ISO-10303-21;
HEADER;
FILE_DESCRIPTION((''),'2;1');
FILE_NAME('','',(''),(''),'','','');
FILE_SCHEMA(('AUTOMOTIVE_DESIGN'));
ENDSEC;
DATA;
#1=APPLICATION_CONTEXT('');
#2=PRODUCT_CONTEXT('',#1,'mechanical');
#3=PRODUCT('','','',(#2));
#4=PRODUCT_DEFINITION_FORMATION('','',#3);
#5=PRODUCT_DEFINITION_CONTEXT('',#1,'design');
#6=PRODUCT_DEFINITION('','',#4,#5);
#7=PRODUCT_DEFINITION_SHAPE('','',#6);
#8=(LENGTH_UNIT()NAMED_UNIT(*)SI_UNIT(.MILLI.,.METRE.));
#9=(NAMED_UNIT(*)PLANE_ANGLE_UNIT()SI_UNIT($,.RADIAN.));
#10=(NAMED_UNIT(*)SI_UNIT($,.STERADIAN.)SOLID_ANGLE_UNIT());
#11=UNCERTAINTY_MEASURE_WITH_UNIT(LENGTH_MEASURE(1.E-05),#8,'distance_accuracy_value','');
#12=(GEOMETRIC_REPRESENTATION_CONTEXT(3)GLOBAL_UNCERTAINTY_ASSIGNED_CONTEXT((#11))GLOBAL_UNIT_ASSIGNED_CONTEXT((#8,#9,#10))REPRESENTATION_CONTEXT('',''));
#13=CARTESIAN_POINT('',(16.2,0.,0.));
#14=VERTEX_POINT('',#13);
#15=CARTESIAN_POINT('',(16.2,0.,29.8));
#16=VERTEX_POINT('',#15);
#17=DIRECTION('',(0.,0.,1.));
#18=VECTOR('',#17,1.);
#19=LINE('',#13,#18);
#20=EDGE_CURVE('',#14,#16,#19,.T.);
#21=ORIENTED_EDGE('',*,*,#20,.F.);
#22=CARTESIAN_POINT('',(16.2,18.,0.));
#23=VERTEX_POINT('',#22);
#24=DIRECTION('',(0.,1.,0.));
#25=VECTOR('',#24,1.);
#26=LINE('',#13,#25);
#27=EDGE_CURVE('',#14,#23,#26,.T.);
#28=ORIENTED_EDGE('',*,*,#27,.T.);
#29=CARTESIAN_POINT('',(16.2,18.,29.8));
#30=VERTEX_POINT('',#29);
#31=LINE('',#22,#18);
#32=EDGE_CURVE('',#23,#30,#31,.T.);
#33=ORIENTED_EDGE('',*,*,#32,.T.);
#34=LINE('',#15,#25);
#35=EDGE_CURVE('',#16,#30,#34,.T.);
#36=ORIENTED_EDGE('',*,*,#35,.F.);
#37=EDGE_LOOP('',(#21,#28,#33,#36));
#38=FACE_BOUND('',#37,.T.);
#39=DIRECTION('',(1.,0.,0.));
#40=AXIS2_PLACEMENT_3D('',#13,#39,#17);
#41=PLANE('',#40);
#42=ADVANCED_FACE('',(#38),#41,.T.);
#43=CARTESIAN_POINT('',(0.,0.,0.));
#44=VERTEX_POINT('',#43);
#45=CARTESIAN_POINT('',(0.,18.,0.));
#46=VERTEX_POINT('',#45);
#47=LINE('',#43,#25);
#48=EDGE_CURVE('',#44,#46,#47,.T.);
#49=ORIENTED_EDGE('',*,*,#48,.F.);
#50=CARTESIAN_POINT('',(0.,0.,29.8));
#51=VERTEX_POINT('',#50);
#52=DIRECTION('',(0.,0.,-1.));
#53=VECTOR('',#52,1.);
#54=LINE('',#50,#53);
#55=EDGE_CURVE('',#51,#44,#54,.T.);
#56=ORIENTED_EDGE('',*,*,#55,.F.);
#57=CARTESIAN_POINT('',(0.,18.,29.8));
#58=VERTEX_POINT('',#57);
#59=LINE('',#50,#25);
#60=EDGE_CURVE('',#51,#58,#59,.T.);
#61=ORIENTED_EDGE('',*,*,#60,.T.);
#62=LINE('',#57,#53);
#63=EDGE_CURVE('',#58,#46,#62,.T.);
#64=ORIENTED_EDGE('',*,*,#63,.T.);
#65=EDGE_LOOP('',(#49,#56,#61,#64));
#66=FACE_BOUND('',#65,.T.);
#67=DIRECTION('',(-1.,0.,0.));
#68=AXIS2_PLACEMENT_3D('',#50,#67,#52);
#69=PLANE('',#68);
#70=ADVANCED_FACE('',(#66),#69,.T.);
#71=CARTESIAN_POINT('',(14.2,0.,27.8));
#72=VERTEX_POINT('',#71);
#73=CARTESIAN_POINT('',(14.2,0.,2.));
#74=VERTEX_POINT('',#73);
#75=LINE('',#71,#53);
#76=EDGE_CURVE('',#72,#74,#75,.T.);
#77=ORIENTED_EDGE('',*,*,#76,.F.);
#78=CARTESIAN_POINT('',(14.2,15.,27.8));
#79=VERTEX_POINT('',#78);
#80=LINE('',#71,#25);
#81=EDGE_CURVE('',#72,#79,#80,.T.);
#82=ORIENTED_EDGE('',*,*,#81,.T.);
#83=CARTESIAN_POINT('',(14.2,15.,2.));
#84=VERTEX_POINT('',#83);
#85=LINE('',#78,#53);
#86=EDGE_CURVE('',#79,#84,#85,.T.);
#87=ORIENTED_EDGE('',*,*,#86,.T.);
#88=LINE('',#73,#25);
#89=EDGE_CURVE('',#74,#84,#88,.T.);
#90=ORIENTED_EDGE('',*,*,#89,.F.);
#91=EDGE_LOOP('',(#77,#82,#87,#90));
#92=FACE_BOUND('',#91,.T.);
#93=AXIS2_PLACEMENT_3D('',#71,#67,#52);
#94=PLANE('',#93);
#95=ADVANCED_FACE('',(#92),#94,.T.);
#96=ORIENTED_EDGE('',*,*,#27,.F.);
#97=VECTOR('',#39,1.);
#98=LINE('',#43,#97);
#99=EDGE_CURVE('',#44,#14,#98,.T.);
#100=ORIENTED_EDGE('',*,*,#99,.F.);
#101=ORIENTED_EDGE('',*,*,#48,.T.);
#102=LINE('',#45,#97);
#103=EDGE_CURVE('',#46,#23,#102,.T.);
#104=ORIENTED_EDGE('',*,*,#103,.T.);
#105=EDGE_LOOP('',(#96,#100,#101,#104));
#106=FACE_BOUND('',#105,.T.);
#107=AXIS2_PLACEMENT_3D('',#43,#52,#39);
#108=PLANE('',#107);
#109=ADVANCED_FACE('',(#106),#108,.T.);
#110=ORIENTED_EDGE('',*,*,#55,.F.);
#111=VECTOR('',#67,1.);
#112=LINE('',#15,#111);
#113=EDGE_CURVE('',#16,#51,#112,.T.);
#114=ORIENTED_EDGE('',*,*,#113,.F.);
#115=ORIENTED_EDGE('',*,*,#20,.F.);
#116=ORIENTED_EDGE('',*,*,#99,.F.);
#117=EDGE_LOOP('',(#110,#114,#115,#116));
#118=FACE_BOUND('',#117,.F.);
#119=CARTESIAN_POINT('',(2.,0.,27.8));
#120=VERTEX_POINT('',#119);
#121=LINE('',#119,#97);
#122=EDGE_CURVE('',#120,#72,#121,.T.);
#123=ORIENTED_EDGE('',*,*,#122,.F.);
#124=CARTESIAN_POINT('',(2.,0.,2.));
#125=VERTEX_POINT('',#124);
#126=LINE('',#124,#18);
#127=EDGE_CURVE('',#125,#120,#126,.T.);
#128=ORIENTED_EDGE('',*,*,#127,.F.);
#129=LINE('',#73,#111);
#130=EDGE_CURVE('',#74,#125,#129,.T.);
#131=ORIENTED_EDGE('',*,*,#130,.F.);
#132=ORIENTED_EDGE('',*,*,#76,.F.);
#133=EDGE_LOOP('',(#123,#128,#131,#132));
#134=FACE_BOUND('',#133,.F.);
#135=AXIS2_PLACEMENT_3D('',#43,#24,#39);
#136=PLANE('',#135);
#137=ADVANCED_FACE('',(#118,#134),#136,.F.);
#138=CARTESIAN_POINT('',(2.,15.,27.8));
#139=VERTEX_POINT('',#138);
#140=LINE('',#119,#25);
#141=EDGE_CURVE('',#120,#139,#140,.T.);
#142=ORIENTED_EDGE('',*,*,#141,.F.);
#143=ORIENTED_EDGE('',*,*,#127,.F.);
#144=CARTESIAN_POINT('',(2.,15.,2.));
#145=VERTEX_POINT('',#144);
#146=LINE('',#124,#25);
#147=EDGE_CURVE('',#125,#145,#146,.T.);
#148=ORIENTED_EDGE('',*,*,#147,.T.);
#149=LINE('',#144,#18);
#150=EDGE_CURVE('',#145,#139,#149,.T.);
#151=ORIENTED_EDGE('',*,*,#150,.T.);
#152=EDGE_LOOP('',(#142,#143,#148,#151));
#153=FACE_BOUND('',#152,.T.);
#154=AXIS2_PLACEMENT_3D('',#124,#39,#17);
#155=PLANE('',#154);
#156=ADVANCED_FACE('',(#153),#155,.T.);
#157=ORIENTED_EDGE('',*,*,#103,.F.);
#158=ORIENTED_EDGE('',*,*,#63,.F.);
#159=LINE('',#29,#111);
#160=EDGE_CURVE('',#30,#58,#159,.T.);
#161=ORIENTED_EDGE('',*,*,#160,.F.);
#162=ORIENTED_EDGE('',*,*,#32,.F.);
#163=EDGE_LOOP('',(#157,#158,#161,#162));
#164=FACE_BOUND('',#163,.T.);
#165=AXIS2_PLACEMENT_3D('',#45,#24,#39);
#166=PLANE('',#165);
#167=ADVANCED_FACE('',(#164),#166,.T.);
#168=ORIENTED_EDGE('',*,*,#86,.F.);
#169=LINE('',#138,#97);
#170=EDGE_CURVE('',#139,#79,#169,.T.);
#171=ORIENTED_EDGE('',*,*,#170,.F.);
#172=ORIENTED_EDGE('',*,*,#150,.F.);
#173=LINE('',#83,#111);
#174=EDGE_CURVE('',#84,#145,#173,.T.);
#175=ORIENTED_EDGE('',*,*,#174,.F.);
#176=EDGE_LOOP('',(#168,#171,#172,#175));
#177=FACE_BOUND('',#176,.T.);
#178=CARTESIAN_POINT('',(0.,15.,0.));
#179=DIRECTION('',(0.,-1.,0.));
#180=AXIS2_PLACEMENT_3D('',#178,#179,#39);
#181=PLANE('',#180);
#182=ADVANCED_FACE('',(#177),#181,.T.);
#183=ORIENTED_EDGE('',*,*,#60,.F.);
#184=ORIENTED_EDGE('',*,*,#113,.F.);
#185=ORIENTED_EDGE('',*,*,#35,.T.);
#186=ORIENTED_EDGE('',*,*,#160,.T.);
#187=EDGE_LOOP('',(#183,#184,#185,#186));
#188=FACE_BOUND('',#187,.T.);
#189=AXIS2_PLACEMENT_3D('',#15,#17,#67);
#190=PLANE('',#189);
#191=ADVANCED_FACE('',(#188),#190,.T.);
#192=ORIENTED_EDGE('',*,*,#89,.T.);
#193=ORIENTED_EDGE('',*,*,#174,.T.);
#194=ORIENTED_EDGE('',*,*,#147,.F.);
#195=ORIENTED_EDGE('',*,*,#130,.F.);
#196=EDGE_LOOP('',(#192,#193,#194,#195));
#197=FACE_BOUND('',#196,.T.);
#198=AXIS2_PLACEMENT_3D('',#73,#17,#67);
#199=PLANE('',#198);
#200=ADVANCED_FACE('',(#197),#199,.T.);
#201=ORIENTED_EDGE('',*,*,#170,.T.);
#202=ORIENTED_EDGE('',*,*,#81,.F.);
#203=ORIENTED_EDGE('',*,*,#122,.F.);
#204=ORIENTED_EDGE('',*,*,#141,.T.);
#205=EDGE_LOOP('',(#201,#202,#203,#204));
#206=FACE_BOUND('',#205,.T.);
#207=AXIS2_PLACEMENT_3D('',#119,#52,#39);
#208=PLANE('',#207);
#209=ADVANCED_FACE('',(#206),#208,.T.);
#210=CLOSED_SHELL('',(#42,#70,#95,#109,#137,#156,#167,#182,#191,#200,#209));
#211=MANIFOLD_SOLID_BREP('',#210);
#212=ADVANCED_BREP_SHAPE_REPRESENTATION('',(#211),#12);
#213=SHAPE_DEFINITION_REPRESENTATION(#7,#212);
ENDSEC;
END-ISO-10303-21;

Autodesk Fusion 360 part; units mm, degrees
sketch "Sketch1" plane through (0, 0, 0) normal (0, 1, 0) x (1, 0, 0)
  line L0 (0, 0) -> (16.2, 0)
  line L1 (16.2, 0) -> (16.2, -29.8)
  line L2 (16.2, -29.8) -> (0, -29.8)
  line L3 (0, -29.8) -> (0, 0)
  dimension "d1" = 16.2
  dimension "d2" = 29.8
extrude "Extrude1" add sketch "Sketch1" along normal blind 18
sketch "Sketch2" plane through (0, 0, 0) normal (0, -1, 0) x (1, 0, 0)
  line L0 (16.2, 29.8) -> (0, 29.8)
  line L1 (0, 29.8) -> (0, 0)
  line L2 (0, 0) -> (16.2, 0)
  line L3 (16.2, 0) -> (16.2, 29.8)
  line L4 (0, 29.8) -> (2, 29.8)
  line L5 (2, 29.8) -> (2, 27.8)
  line L6 (2, 27.8) -> (14.2, 27.8)
  line L7 (14.2, 27.8) -> (14.2, 2)
  line L8 (14.2, 2) -> (2, 2)
  line L9 (2, 2) -> (2, 27.8)
  dimension "d5" = 2
  dimension "d6" = 2
  dimension "d7" = 12.2
  dimension "d8" = 25.8
extrude "Extrude2" cut sketch "Sketch2" against normal blind 15 contours L6 L7 L8 L9
